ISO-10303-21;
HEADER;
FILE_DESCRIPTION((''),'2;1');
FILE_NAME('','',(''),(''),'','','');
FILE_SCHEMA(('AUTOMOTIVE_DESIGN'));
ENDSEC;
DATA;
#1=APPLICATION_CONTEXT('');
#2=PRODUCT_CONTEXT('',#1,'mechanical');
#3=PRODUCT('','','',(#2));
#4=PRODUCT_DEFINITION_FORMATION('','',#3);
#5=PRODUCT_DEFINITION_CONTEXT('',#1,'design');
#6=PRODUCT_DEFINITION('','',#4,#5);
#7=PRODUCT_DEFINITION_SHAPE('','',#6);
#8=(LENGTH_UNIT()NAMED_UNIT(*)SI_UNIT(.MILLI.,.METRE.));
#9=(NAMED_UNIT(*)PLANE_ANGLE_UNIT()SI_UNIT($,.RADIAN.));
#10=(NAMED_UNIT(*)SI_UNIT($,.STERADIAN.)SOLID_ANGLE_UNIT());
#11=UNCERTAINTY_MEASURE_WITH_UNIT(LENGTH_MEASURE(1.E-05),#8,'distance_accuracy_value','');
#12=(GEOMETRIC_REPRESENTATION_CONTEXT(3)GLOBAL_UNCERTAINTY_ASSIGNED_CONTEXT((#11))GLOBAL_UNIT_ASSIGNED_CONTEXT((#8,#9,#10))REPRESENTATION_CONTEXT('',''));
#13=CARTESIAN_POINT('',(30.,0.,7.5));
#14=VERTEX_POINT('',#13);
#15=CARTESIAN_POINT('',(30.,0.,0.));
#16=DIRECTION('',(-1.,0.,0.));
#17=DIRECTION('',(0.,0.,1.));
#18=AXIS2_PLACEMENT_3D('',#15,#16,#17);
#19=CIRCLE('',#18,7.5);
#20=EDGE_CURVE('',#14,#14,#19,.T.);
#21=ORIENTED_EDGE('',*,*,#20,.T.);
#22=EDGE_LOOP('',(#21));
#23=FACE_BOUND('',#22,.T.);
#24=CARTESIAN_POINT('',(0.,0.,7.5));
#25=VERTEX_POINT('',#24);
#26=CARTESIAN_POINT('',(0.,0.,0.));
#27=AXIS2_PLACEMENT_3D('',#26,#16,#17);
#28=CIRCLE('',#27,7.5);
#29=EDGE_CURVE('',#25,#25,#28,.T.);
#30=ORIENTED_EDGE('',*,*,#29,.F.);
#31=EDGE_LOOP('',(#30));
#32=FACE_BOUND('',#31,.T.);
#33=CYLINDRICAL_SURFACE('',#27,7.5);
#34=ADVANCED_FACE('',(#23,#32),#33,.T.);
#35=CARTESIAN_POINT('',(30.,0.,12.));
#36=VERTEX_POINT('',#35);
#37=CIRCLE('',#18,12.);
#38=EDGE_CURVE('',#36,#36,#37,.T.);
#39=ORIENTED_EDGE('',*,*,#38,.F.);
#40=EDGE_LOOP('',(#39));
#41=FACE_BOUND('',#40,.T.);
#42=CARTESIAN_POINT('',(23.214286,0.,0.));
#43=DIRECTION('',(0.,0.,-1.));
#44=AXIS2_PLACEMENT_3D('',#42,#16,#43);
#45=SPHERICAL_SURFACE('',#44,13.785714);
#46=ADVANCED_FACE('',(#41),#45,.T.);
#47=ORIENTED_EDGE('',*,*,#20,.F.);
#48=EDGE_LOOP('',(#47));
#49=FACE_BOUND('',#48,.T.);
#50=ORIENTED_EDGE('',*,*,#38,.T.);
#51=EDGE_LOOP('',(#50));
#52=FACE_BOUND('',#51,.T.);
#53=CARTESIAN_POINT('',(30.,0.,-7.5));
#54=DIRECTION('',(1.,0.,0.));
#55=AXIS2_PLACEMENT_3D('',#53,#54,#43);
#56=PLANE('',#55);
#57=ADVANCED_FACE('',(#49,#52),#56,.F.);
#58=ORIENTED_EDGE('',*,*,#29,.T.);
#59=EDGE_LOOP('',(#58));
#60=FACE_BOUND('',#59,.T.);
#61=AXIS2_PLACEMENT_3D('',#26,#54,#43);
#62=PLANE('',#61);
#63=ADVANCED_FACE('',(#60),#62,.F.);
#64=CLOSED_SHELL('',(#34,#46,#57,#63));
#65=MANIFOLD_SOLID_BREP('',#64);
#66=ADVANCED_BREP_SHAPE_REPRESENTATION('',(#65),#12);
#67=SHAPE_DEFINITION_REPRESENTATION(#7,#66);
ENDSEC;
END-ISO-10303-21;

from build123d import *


with BuildPart() as part:
    # Sketch1 → Revolve1 (revolve)
    with BuildSketch(Plane(origin=(0, 0, 0), x_dir=(1, 0, 0), z_dir=(0, 1, 0)), mode=Mode.PRIVATE) as revolve1_sk:
        with BuildLine():
            Line((0, 0), (0, 7.5))
            Line((0, 7.5), (30, 7.5))
            Line((30, 7.5), (30, 12))
            ThreePointArc((30, 12), (35.122094848, 6.946221995), (37, 0))
            Line((37, 0), (0, 0))
        make_face()
    revolve(revolve1_sk.sketch.rotate(Axis((0, 0, 0), (1, 0, 0)), 180), axis=Axis((0, 0, 0), (1, 0, 0)))


solid = part.part
